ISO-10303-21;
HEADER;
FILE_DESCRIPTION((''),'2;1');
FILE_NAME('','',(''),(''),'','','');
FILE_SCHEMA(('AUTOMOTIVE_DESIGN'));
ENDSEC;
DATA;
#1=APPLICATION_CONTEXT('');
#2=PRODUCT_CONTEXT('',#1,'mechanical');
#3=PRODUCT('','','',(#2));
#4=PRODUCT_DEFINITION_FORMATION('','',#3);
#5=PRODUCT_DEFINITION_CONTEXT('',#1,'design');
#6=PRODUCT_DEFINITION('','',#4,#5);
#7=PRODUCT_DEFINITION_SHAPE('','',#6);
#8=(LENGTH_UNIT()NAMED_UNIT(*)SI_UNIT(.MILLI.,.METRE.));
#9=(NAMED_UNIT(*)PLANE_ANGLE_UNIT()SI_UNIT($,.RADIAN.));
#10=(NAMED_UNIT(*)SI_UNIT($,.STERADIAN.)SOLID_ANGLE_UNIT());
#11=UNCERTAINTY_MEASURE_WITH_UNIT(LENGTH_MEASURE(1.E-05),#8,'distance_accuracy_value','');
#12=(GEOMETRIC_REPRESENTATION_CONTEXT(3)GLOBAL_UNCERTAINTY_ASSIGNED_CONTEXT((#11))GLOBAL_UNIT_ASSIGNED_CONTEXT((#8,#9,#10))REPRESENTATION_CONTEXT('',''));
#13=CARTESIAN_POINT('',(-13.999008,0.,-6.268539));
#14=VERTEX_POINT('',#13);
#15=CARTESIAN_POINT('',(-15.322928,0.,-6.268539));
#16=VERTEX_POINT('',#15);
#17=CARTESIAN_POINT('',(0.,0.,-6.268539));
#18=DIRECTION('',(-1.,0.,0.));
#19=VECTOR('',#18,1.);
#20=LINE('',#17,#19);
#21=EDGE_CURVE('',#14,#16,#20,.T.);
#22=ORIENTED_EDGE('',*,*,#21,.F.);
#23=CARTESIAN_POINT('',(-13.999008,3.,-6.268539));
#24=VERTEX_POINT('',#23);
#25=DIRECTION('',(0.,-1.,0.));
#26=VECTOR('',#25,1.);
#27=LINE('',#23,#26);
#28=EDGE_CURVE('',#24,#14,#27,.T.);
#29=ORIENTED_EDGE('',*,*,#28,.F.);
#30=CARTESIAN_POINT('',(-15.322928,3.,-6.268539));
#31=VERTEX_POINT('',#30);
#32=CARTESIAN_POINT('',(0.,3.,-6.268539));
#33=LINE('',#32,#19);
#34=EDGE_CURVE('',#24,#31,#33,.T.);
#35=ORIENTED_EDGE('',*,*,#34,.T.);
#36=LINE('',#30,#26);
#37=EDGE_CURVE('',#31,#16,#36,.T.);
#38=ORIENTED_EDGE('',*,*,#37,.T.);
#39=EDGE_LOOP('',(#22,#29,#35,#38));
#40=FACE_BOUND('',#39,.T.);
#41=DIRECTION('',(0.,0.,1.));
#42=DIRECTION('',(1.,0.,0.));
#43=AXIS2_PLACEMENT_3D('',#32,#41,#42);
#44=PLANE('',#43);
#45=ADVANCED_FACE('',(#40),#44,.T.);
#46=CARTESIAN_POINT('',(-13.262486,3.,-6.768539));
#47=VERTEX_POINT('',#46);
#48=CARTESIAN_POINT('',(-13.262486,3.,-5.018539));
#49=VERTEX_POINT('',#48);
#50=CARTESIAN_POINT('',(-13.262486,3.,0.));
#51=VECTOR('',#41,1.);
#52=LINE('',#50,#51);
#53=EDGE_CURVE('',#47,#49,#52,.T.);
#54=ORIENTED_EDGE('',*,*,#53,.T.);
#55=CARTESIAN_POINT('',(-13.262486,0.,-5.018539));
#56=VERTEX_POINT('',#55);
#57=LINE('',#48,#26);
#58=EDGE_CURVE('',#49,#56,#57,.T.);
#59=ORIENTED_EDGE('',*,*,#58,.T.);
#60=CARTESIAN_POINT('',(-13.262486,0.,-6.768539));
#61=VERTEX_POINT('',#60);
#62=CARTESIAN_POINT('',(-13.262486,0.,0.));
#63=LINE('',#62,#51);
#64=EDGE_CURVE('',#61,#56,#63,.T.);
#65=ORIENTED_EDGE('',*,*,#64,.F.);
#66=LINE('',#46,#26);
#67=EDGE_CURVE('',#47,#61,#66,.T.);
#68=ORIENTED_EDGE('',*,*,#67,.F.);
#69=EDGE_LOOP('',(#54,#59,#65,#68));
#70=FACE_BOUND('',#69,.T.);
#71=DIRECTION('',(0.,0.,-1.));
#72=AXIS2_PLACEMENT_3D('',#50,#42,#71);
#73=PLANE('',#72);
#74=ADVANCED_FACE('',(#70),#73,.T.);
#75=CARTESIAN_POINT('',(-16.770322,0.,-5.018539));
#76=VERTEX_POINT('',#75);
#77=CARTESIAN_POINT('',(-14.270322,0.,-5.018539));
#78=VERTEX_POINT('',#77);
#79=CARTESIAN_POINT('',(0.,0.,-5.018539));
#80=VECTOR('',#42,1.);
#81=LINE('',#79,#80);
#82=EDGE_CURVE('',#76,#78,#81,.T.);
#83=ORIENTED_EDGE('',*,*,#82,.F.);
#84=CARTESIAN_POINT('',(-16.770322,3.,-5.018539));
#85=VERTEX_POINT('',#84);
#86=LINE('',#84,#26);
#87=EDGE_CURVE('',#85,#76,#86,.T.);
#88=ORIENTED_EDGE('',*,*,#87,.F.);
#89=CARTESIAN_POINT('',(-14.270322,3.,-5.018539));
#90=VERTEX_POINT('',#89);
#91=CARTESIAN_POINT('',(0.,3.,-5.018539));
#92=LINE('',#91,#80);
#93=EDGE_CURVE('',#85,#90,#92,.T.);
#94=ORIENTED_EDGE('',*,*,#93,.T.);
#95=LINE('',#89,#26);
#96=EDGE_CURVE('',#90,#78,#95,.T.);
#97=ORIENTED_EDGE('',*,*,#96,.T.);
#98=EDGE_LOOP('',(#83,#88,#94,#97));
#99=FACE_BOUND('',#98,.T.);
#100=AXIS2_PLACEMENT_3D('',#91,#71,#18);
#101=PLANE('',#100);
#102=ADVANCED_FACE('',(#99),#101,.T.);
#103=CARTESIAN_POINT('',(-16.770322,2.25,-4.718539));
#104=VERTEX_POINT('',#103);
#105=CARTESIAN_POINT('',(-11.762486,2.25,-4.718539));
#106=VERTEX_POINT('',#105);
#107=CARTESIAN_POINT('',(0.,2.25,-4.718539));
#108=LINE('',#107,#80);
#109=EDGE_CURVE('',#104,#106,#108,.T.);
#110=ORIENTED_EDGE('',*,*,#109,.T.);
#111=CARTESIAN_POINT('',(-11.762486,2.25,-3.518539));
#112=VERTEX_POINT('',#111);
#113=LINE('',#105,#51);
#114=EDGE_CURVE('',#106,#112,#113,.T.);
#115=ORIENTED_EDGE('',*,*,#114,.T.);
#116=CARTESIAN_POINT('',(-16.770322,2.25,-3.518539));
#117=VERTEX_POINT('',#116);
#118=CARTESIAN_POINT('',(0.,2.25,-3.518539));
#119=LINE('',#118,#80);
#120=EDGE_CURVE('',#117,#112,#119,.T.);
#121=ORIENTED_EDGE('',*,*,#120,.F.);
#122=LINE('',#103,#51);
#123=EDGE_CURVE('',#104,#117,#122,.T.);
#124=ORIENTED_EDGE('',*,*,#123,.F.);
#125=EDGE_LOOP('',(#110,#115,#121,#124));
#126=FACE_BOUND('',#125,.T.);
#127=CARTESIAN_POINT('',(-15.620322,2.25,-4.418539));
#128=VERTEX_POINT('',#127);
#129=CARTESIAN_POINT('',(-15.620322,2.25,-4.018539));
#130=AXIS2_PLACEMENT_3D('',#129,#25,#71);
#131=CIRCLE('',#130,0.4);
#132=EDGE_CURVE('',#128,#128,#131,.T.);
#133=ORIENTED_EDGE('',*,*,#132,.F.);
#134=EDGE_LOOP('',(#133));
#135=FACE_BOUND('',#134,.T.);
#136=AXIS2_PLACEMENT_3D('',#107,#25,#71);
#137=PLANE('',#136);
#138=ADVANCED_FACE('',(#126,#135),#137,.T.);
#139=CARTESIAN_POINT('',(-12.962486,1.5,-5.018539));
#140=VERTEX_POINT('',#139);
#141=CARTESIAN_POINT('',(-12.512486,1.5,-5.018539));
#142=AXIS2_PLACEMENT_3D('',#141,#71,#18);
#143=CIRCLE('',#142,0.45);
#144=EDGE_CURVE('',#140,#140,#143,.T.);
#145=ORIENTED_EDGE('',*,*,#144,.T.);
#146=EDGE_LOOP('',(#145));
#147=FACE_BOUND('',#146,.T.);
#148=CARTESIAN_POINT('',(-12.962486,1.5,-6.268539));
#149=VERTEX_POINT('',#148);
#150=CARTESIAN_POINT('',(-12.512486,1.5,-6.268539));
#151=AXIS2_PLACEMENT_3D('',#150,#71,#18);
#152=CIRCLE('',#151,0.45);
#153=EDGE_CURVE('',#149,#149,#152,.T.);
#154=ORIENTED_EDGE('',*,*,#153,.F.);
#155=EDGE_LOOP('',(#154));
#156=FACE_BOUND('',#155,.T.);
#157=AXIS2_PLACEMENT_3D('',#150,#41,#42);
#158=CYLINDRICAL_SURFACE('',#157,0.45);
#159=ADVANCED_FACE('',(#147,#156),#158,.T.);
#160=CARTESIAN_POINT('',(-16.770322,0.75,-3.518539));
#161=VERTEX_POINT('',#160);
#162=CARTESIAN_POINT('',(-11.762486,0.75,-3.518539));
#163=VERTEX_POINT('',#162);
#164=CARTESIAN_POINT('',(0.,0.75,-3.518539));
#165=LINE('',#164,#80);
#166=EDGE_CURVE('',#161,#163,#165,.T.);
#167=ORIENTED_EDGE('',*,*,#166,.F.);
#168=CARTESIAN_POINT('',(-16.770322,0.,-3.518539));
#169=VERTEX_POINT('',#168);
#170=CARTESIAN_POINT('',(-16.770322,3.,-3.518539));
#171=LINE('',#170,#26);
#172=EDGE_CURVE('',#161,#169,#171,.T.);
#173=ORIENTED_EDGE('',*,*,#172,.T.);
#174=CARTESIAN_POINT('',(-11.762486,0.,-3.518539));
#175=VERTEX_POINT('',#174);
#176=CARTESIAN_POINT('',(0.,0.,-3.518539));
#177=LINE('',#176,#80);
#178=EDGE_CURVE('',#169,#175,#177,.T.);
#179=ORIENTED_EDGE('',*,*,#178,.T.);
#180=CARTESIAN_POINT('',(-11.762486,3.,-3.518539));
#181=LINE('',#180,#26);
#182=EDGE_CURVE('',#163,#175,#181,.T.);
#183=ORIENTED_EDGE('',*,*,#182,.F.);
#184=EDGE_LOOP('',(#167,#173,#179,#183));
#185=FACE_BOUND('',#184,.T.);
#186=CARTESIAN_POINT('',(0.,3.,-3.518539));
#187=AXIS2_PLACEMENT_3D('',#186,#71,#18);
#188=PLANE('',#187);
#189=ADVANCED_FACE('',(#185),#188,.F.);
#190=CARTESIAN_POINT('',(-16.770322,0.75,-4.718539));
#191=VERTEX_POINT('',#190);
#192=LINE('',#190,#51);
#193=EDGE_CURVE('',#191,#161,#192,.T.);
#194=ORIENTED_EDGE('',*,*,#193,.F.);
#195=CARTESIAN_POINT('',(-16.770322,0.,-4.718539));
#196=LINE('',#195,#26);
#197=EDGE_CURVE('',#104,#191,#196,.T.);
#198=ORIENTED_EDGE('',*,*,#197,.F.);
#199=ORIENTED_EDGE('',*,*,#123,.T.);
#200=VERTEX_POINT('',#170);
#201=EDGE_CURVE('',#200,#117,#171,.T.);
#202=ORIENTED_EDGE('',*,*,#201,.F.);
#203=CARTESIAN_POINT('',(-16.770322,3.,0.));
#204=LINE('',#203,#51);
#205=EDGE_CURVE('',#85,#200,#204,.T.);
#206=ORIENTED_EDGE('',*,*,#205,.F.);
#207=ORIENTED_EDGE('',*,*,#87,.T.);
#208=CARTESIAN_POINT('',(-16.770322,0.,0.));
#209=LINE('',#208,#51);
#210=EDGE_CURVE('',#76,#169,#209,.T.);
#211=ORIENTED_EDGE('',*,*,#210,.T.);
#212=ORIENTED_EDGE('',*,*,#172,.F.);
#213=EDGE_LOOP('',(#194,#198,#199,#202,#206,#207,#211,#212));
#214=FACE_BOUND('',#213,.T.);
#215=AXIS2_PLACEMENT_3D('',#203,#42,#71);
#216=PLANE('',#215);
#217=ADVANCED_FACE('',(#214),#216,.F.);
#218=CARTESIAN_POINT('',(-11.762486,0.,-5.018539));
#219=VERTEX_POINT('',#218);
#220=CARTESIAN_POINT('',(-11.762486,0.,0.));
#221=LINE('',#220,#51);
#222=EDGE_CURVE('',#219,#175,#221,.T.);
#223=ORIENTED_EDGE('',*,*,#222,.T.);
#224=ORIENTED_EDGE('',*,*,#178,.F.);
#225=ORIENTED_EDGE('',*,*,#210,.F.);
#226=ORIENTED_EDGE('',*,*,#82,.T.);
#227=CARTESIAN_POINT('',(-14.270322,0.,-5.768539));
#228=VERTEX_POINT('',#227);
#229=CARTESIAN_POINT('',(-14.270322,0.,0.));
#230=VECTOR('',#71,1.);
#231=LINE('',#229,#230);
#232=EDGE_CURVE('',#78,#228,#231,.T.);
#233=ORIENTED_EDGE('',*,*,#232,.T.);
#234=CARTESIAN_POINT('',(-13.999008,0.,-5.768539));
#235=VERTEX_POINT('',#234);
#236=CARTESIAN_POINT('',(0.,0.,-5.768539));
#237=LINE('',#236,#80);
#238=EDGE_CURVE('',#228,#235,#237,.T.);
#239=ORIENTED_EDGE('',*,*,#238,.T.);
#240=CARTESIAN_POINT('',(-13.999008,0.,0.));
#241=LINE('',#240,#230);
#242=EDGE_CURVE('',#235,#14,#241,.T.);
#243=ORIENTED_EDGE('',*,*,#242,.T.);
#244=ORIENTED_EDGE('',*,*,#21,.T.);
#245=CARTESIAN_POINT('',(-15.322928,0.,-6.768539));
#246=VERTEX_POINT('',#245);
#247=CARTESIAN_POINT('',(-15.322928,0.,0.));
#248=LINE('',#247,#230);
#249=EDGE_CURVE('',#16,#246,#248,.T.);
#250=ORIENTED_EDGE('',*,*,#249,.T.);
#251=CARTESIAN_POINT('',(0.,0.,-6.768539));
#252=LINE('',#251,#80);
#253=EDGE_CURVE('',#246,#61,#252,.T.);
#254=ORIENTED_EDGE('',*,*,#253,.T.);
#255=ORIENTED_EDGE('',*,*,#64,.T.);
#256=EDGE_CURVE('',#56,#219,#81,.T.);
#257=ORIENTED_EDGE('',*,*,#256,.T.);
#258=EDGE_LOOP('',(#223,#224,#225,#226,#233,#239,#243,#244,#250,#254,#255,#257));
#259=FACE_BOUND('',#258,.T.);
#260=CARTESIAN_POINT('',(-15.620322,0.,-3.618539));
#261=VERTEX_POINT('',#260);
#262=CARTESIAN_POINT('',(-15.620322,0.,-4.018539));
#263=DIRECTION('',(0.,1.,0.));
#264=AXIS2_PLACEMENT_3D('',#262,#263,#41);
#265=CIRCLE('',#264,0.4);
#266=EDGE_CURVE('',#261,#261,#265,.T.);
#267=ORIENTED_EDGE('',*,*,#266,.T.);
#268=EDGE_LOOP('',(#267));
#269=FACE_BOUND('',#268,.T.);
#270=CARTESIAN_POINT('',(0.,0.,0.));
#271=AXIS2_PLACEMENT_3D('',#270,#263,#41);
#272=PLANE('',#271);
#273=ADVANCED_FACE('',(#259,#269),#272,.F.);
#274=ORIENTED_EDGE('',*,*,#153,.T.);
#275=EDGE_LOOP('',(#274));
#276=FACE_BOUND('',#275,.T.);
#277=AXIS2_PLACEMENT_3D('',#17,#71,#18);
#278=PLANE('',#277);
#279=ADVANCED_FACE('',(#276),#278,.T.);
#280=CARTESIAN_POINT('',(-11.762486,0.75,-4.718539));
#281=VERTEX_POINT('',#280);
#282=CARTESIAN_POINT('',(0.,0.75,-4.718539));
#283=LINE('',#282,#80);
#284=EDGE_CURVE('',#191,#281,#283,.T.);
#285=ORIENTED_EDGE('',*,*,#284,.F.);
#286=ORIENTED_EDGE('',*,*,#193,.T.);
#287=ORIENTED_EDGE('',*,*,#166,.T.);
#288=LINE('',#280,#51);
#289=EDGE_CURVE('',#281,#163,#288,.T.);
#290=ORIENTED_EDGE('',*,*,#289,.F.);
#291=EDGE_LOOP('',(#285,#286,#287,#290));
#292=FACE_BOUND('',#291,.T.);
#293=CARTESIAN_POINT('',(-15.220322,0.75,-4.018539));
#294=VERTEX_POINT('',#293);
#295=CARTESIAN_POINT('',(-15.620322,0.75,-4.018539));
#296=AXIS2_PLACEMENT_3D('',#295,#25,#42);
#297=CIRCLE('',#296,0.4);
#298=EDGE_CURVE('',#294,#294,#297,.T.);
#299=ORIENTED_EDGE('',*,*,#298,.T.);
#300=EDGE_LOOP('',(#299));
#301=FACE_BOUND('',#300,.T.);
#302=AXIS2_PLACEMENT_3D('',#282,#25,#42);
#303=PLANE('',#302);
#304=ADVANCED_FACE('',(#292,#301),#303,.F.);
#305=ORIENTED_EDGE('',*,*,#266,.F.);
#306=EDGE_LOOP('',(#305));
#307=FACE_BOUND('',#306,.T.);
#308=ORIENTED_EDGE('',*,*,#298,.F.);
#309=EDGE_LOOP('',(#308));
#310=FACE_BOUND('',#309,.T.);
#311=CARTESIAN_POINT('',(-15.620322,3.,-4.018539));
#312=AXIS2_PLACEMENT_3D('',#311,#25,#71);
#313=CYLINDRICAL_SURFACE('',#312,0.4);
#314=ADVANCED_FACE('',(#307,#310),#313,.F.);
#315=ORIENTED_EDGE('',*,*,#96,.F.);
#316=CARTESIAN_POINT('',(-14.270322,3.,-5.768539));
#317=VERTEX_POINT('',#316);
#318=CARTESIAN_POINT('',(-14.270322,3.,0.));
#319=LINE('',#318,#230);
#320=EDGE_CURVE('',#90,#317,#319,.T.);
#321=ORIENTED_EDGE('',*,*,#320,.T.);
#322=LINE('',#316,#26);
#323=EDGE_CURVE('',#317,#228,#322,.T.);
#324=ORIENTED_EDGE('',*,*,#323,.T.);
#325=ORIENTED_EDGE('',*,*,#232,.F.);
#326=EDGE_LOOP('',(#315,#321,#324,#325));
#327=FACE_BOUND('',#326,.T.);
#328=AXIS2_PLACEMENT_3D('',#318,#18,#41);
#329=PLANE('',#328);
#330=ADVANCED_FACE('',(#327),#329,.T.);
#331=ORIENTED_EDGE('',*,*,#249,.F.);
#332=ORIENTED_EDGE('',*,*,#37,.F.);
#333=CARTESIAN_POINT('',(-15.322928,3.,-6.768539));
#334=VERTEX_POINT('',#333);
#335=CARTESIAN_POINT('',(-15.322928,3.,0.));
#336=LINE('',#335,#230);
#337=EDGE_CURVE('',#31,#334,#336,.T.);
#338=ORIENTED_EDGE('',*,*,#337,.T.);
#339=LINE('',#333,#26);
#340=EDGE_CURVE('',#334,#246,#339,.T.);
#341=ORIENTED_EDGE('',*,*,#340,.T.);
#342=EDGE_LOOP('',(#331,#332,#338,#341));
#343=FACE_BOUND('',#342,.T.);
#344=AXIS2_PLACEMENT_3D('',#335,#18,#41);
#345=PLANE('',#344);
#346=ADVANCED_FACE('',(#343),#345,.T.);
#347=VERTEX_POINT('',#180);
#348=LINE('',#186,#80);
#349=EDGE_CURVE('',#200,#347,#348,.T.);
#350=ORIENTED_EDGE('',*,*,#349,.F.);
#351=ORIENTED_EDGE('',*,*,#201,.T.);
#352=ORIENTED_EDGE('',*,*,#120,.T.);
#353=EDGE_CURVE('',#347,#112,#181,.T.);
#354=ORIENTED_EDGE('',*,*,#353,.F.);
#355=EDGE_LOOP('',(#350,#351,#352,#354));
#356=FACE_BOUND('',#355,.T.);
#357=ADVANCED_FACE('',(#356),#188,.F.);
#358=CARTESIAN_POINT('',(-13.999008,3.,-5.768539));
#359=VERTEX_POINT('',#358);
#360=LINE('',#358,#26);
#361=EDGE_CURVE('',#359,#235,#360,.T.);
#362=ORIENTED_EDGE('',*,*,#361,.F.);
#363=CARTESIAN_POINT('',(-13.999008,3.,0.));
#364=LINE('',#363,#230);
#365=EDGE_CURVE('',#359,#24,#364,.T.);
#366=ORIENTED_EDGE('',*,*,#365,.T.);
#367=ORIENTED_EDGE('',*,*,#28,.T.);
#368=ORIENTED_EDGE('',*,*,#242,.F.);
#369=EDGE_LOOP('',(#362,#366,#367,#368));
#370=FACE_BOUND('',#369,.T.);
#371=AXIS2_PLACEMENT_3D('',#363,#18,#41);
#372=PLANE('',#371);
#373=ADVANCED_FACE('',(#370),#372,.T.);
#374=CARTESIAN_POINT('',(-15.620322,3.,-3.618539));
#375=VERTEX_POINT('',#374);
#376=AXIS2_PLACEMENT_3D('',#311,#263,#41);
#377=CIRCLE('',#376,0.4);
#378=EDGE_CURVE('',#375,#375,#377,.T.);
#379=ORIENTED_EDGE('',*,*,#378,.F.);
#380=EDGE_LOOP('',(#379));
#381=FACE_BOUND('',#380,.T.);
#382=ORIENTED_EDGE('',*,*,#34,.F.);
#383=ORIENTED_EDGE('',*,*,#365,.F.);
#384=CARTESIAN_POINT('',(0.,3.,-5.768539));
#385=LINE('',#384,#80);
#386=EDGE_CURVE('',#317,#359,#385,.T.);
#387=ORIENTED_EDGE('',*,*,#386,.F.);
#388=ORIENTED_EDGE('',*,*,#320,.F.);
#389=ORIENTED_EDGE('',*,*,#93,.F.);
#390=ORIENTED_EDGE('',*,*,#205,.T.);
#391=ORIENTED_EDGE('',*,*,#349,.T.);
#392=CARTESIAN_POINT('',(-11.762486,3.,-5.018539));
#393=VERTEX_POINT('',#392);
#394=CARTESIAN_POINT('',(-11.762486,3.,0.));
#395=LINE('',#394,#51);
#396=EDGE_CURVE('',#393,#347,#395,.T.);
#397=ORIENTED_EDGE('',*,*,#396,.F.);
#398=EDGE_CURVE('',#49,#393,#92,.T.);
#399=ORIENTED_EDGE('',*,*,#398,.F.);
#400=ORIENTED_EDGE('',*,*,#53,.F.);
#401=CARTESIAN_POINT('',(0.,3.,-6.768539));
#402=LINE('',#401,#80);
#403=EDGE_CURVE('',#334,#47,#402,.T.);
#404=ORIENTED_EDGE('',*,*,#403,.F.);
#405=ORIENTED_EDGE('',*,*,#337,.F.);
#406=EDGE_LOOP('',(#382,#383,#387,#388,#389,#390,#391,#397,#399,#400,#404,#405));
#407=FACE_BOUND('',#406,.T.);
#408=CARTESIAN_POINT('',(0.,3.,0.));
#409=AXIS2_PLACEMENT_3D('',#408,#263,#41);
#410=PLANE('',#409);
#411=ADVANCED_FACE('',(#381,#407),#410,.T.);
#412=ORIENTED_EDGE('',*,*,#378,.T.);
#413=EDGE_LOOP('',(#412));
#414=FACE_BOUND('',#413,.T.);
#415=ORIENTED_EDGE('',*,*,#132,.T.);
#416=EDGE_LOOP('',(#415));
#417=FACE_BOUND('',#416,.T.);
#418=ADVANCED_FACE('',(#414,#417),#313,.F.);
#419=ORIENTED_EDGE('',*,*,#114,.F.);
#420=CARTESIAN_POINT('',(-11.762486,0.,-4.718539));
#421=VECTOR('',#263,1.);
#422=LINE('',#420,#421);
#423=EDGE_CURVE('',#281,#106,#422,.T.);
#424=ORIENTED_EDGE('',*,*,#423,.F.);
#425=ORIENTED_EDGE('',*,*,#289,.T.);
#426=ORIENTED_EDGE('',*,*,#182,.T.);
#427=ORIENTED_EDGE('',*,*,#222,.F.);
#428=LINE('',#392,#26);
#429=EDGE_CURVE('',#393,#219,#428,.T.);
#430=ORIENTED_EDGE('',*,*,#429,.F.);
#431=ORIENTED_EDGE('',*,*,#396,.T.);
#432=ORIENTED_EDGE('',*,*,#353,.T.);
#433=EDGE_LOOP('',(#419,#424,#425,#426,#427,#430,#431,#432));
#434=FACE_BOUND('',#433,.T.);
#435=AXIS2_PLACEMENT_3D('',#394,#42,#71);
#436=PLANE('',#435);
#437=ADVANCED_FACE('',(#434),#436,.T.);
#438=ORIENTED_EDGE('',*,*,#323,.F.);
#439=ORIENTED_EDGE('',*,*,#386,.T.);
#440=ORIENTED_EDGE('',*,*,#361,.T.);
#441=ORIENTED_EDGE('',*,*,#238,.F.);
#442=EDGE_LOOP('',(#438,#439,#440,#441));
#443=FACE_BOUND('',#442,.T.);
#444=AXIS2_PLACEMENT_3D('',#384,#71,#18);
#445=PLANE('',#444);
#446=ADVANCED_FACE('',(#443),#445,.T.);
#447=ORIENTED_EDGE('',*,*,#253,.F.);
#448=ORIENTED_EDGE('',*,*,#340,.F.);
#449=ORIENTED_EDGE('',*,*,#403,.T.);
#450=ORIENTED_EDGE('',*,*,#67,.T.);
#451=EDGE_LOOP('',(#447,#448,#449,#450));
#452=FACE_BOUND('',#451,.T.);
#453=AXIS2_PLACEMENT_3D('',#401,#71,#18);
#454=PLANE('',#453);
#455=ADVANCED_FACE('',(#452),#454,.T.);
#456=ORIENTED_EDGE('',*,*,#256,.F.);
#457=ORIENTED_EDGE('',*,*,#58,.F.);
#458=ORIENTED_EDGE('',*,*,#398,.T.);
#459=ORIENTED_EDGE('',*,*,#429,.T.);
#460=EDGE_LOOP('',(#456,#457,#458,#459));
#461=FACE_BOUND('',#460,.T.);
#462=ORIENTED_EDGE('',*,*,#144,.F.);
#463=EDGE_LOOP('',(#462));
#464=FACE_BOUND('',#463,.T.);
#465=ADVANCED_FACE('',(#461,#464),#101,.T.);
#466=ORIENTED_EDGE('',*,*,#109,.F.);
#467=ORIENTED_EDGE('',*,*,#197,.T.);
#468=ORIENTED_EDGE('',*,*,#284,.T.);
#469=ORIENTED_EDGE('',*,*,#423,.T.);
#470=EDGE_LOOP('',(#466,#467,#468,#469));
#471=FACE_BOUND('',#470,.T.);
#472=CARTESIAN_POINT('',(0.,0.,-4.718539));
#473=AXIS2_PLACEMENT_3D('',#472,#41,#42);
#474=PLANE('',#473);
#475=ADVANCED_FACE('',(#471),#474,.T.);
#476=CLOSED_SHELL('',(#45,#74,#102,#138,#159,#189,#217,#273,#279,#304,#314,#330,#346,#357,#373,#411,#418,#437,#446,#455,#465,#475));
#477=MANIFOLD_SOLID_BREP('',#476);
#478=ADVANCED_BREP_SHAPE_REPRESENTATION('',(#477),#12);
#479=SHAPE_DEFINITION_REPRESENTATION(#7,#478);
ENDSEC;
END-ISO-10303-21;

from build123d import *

# Parameters (mm, degrees)
SKETCH1_R           = 0.4
BOSS_EXTRUDE1_DEPTH = 3
SKETCH2_W           = 2.503917826
SKETCH2_H           = 0.75
SKETCH2_W_2         = 2.503917827
CUT_EXTRUDE1_DEPTH  = 1.2
SKETCH3_R           = 0.45
BOSS_EXTRUDE2_DEPTH = 1.25


with BuildPart() as part:
    # Sketch1 → Boss-Extrude1 (new body)
    with BuildSketch(Plane(origin=(0, 0, 0), x_dir=(1, 0, 0), z_dir=(0, 1, 0))):
        Polygon((-14.270322025, 5.01853909), (-16.770322025, 5.01853909), (-16.770322025, 4.01853909), (-16.770322025, 3.51853909), (-11.762486372, 3.51853909), (-11.762486372, 5.01853909), (-13.262486372, 5.01853909), (-13.262486372, 6.76853909), (-15.322928397, 6.76853909), (-15.322928397, 6.26853909), (-13.999008371, 6.26853909), (-13.999008371, 5.76853909), (-14.270322025, 5.76853909), align=None)
        with Locations(Location((-15.620322025, 4.01853909, 0), (0, 0, 270))):
            Circle(SKETCH1_R, mode=Mode.SUBTRACT)
    extrude(amount=BOSS_EXTRUDE1_DEPTH)

    # Sketch2 → Cut-Extrude1 (cut)
    with BuildSketch(Plane.XY.offset(-3.51853909)):
        with Locations((-15.518363112, 1.875)):
            Rectangle(SKETCH2_W, SKETCH2_H)
        with Locations((-13.014445286, 1.875)):
            Rectangle(SKETCH2_W_2, SKETCH2_H)
        with Locations((-15.518363112, 1.125)):
            Rectangle(SKETCH2_W, SKETCH2_H)
        with Locations((-13.014445286, 1.125)):
            Rectangle(SKETCH2_W_2, SKETCH2_H)
    extrude(amount=-CUT_EXTRUDE1_DEPTH, mode=Mode.SUBTRACT)

    # Sketch3 → Boss-Extrude2 (add)
    with BuildSketch(Plane(origin=(0, 0, -5.01853909), x_dir=(-1, 0, 0), z_dir=(0, 0, -1))):
        with Locations((12.512486372, 1.5)):
            Circle(SKETCH3_R)
    extrude(amount=BOSS_EXTRUDE2_DEPTH)


solid = part.part
